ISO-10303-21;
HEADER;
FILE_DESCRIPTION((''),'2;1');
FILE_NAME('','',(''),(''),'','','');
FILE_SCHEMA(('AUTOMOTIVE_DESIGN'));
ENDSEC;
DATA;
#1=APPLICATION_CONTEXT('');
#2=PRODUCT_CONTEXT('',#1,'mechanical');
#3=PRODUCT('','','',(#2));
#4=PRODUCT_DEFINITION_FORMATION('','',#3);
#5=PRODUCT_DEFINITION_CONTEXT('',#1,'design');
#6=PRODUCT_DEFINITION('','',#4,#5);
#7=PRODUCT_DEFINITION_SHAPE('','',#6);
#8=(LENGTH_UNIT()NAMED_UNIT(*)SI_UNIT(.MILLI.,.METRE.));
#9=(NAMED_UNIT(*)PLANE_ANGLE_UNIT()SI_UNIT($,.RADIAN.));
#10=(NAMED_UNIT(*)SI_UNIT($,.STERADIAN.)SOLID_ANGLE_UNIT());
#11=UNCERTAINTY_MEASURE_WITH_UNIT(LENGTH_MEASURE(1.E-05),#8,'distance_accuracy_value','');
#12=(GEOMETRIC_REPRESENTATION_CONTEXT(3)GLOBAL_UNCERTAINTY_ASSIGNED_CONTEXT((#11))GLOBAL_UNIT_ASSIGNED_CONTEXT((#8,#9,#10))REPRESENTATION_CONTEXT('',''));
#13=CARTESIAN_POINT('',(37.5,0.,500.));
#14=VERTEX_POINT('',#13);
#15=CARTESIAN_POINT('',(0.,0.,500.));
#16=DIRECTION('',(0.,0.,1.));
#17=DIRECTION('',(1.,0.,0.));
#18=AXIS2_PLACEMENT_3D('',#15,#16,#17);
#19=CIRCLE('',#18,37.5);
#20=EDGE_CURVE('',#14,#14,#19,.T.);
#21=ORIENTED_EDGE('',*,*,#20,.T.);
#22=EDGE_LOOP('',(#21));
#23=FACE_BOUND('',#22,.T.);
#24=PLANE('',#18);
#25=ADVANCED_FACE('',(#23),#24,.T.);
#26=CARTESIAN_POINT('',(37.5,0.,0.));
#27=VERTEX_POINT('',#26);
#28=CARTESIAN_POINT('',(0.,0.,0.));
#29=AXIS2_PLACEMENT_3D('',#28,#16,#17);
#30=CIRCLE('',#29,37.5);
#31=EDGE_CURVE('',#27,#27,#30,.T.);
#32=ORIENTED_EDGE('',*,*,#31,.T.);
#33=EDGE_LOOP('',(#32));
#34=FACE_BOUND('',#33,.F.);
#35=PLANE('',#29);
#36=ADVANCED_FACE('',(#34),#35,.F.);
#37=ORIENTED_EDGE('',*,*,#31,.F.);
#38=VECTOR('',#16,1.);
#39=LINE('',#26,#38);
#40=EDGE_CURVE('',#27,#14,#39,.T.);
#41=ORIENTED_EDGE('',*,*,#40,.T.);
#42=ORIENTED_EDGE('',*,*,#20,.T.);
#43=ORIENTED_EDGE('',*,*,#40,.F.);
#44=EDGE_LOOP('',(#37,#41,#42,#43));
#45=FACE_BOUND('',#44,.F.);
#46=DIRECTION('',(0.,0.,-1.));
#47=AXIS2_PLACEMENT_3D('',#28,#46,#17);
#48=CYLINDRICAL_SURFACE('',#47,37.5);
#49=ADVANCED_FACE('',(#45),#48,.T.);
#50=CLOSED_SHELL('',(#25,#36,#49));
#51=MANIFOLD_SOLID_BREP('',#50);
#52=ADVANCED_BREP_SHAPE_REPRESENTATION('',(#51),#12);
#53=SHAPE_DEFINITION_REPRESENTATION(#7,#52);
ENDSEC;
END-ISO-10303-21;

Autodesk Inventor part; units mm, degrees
ref_plane "YZ Plane" through (0, 0, 0) normal (1, 0, 0) x (0, 1, 0)
ref_plane "XZ Plane" through (0, 0, 0) normal (0, 1, 0) x (-1, 0, 0)
ref_plane "XY Plane" through (0, 0, 0) normal (0, 0, 1) x (1, 0, 0)
sketch "Sketch1" plane through (0, 0, 0) normal (0, 0, 1) x (1, 0, 0)
  circle A0 centre (0, 0) radius 37.5
  dimension "d0" = 75
extrude "Extrusion1" add sketch "Sketch1" along normal blind 500
properties part number "gas"
